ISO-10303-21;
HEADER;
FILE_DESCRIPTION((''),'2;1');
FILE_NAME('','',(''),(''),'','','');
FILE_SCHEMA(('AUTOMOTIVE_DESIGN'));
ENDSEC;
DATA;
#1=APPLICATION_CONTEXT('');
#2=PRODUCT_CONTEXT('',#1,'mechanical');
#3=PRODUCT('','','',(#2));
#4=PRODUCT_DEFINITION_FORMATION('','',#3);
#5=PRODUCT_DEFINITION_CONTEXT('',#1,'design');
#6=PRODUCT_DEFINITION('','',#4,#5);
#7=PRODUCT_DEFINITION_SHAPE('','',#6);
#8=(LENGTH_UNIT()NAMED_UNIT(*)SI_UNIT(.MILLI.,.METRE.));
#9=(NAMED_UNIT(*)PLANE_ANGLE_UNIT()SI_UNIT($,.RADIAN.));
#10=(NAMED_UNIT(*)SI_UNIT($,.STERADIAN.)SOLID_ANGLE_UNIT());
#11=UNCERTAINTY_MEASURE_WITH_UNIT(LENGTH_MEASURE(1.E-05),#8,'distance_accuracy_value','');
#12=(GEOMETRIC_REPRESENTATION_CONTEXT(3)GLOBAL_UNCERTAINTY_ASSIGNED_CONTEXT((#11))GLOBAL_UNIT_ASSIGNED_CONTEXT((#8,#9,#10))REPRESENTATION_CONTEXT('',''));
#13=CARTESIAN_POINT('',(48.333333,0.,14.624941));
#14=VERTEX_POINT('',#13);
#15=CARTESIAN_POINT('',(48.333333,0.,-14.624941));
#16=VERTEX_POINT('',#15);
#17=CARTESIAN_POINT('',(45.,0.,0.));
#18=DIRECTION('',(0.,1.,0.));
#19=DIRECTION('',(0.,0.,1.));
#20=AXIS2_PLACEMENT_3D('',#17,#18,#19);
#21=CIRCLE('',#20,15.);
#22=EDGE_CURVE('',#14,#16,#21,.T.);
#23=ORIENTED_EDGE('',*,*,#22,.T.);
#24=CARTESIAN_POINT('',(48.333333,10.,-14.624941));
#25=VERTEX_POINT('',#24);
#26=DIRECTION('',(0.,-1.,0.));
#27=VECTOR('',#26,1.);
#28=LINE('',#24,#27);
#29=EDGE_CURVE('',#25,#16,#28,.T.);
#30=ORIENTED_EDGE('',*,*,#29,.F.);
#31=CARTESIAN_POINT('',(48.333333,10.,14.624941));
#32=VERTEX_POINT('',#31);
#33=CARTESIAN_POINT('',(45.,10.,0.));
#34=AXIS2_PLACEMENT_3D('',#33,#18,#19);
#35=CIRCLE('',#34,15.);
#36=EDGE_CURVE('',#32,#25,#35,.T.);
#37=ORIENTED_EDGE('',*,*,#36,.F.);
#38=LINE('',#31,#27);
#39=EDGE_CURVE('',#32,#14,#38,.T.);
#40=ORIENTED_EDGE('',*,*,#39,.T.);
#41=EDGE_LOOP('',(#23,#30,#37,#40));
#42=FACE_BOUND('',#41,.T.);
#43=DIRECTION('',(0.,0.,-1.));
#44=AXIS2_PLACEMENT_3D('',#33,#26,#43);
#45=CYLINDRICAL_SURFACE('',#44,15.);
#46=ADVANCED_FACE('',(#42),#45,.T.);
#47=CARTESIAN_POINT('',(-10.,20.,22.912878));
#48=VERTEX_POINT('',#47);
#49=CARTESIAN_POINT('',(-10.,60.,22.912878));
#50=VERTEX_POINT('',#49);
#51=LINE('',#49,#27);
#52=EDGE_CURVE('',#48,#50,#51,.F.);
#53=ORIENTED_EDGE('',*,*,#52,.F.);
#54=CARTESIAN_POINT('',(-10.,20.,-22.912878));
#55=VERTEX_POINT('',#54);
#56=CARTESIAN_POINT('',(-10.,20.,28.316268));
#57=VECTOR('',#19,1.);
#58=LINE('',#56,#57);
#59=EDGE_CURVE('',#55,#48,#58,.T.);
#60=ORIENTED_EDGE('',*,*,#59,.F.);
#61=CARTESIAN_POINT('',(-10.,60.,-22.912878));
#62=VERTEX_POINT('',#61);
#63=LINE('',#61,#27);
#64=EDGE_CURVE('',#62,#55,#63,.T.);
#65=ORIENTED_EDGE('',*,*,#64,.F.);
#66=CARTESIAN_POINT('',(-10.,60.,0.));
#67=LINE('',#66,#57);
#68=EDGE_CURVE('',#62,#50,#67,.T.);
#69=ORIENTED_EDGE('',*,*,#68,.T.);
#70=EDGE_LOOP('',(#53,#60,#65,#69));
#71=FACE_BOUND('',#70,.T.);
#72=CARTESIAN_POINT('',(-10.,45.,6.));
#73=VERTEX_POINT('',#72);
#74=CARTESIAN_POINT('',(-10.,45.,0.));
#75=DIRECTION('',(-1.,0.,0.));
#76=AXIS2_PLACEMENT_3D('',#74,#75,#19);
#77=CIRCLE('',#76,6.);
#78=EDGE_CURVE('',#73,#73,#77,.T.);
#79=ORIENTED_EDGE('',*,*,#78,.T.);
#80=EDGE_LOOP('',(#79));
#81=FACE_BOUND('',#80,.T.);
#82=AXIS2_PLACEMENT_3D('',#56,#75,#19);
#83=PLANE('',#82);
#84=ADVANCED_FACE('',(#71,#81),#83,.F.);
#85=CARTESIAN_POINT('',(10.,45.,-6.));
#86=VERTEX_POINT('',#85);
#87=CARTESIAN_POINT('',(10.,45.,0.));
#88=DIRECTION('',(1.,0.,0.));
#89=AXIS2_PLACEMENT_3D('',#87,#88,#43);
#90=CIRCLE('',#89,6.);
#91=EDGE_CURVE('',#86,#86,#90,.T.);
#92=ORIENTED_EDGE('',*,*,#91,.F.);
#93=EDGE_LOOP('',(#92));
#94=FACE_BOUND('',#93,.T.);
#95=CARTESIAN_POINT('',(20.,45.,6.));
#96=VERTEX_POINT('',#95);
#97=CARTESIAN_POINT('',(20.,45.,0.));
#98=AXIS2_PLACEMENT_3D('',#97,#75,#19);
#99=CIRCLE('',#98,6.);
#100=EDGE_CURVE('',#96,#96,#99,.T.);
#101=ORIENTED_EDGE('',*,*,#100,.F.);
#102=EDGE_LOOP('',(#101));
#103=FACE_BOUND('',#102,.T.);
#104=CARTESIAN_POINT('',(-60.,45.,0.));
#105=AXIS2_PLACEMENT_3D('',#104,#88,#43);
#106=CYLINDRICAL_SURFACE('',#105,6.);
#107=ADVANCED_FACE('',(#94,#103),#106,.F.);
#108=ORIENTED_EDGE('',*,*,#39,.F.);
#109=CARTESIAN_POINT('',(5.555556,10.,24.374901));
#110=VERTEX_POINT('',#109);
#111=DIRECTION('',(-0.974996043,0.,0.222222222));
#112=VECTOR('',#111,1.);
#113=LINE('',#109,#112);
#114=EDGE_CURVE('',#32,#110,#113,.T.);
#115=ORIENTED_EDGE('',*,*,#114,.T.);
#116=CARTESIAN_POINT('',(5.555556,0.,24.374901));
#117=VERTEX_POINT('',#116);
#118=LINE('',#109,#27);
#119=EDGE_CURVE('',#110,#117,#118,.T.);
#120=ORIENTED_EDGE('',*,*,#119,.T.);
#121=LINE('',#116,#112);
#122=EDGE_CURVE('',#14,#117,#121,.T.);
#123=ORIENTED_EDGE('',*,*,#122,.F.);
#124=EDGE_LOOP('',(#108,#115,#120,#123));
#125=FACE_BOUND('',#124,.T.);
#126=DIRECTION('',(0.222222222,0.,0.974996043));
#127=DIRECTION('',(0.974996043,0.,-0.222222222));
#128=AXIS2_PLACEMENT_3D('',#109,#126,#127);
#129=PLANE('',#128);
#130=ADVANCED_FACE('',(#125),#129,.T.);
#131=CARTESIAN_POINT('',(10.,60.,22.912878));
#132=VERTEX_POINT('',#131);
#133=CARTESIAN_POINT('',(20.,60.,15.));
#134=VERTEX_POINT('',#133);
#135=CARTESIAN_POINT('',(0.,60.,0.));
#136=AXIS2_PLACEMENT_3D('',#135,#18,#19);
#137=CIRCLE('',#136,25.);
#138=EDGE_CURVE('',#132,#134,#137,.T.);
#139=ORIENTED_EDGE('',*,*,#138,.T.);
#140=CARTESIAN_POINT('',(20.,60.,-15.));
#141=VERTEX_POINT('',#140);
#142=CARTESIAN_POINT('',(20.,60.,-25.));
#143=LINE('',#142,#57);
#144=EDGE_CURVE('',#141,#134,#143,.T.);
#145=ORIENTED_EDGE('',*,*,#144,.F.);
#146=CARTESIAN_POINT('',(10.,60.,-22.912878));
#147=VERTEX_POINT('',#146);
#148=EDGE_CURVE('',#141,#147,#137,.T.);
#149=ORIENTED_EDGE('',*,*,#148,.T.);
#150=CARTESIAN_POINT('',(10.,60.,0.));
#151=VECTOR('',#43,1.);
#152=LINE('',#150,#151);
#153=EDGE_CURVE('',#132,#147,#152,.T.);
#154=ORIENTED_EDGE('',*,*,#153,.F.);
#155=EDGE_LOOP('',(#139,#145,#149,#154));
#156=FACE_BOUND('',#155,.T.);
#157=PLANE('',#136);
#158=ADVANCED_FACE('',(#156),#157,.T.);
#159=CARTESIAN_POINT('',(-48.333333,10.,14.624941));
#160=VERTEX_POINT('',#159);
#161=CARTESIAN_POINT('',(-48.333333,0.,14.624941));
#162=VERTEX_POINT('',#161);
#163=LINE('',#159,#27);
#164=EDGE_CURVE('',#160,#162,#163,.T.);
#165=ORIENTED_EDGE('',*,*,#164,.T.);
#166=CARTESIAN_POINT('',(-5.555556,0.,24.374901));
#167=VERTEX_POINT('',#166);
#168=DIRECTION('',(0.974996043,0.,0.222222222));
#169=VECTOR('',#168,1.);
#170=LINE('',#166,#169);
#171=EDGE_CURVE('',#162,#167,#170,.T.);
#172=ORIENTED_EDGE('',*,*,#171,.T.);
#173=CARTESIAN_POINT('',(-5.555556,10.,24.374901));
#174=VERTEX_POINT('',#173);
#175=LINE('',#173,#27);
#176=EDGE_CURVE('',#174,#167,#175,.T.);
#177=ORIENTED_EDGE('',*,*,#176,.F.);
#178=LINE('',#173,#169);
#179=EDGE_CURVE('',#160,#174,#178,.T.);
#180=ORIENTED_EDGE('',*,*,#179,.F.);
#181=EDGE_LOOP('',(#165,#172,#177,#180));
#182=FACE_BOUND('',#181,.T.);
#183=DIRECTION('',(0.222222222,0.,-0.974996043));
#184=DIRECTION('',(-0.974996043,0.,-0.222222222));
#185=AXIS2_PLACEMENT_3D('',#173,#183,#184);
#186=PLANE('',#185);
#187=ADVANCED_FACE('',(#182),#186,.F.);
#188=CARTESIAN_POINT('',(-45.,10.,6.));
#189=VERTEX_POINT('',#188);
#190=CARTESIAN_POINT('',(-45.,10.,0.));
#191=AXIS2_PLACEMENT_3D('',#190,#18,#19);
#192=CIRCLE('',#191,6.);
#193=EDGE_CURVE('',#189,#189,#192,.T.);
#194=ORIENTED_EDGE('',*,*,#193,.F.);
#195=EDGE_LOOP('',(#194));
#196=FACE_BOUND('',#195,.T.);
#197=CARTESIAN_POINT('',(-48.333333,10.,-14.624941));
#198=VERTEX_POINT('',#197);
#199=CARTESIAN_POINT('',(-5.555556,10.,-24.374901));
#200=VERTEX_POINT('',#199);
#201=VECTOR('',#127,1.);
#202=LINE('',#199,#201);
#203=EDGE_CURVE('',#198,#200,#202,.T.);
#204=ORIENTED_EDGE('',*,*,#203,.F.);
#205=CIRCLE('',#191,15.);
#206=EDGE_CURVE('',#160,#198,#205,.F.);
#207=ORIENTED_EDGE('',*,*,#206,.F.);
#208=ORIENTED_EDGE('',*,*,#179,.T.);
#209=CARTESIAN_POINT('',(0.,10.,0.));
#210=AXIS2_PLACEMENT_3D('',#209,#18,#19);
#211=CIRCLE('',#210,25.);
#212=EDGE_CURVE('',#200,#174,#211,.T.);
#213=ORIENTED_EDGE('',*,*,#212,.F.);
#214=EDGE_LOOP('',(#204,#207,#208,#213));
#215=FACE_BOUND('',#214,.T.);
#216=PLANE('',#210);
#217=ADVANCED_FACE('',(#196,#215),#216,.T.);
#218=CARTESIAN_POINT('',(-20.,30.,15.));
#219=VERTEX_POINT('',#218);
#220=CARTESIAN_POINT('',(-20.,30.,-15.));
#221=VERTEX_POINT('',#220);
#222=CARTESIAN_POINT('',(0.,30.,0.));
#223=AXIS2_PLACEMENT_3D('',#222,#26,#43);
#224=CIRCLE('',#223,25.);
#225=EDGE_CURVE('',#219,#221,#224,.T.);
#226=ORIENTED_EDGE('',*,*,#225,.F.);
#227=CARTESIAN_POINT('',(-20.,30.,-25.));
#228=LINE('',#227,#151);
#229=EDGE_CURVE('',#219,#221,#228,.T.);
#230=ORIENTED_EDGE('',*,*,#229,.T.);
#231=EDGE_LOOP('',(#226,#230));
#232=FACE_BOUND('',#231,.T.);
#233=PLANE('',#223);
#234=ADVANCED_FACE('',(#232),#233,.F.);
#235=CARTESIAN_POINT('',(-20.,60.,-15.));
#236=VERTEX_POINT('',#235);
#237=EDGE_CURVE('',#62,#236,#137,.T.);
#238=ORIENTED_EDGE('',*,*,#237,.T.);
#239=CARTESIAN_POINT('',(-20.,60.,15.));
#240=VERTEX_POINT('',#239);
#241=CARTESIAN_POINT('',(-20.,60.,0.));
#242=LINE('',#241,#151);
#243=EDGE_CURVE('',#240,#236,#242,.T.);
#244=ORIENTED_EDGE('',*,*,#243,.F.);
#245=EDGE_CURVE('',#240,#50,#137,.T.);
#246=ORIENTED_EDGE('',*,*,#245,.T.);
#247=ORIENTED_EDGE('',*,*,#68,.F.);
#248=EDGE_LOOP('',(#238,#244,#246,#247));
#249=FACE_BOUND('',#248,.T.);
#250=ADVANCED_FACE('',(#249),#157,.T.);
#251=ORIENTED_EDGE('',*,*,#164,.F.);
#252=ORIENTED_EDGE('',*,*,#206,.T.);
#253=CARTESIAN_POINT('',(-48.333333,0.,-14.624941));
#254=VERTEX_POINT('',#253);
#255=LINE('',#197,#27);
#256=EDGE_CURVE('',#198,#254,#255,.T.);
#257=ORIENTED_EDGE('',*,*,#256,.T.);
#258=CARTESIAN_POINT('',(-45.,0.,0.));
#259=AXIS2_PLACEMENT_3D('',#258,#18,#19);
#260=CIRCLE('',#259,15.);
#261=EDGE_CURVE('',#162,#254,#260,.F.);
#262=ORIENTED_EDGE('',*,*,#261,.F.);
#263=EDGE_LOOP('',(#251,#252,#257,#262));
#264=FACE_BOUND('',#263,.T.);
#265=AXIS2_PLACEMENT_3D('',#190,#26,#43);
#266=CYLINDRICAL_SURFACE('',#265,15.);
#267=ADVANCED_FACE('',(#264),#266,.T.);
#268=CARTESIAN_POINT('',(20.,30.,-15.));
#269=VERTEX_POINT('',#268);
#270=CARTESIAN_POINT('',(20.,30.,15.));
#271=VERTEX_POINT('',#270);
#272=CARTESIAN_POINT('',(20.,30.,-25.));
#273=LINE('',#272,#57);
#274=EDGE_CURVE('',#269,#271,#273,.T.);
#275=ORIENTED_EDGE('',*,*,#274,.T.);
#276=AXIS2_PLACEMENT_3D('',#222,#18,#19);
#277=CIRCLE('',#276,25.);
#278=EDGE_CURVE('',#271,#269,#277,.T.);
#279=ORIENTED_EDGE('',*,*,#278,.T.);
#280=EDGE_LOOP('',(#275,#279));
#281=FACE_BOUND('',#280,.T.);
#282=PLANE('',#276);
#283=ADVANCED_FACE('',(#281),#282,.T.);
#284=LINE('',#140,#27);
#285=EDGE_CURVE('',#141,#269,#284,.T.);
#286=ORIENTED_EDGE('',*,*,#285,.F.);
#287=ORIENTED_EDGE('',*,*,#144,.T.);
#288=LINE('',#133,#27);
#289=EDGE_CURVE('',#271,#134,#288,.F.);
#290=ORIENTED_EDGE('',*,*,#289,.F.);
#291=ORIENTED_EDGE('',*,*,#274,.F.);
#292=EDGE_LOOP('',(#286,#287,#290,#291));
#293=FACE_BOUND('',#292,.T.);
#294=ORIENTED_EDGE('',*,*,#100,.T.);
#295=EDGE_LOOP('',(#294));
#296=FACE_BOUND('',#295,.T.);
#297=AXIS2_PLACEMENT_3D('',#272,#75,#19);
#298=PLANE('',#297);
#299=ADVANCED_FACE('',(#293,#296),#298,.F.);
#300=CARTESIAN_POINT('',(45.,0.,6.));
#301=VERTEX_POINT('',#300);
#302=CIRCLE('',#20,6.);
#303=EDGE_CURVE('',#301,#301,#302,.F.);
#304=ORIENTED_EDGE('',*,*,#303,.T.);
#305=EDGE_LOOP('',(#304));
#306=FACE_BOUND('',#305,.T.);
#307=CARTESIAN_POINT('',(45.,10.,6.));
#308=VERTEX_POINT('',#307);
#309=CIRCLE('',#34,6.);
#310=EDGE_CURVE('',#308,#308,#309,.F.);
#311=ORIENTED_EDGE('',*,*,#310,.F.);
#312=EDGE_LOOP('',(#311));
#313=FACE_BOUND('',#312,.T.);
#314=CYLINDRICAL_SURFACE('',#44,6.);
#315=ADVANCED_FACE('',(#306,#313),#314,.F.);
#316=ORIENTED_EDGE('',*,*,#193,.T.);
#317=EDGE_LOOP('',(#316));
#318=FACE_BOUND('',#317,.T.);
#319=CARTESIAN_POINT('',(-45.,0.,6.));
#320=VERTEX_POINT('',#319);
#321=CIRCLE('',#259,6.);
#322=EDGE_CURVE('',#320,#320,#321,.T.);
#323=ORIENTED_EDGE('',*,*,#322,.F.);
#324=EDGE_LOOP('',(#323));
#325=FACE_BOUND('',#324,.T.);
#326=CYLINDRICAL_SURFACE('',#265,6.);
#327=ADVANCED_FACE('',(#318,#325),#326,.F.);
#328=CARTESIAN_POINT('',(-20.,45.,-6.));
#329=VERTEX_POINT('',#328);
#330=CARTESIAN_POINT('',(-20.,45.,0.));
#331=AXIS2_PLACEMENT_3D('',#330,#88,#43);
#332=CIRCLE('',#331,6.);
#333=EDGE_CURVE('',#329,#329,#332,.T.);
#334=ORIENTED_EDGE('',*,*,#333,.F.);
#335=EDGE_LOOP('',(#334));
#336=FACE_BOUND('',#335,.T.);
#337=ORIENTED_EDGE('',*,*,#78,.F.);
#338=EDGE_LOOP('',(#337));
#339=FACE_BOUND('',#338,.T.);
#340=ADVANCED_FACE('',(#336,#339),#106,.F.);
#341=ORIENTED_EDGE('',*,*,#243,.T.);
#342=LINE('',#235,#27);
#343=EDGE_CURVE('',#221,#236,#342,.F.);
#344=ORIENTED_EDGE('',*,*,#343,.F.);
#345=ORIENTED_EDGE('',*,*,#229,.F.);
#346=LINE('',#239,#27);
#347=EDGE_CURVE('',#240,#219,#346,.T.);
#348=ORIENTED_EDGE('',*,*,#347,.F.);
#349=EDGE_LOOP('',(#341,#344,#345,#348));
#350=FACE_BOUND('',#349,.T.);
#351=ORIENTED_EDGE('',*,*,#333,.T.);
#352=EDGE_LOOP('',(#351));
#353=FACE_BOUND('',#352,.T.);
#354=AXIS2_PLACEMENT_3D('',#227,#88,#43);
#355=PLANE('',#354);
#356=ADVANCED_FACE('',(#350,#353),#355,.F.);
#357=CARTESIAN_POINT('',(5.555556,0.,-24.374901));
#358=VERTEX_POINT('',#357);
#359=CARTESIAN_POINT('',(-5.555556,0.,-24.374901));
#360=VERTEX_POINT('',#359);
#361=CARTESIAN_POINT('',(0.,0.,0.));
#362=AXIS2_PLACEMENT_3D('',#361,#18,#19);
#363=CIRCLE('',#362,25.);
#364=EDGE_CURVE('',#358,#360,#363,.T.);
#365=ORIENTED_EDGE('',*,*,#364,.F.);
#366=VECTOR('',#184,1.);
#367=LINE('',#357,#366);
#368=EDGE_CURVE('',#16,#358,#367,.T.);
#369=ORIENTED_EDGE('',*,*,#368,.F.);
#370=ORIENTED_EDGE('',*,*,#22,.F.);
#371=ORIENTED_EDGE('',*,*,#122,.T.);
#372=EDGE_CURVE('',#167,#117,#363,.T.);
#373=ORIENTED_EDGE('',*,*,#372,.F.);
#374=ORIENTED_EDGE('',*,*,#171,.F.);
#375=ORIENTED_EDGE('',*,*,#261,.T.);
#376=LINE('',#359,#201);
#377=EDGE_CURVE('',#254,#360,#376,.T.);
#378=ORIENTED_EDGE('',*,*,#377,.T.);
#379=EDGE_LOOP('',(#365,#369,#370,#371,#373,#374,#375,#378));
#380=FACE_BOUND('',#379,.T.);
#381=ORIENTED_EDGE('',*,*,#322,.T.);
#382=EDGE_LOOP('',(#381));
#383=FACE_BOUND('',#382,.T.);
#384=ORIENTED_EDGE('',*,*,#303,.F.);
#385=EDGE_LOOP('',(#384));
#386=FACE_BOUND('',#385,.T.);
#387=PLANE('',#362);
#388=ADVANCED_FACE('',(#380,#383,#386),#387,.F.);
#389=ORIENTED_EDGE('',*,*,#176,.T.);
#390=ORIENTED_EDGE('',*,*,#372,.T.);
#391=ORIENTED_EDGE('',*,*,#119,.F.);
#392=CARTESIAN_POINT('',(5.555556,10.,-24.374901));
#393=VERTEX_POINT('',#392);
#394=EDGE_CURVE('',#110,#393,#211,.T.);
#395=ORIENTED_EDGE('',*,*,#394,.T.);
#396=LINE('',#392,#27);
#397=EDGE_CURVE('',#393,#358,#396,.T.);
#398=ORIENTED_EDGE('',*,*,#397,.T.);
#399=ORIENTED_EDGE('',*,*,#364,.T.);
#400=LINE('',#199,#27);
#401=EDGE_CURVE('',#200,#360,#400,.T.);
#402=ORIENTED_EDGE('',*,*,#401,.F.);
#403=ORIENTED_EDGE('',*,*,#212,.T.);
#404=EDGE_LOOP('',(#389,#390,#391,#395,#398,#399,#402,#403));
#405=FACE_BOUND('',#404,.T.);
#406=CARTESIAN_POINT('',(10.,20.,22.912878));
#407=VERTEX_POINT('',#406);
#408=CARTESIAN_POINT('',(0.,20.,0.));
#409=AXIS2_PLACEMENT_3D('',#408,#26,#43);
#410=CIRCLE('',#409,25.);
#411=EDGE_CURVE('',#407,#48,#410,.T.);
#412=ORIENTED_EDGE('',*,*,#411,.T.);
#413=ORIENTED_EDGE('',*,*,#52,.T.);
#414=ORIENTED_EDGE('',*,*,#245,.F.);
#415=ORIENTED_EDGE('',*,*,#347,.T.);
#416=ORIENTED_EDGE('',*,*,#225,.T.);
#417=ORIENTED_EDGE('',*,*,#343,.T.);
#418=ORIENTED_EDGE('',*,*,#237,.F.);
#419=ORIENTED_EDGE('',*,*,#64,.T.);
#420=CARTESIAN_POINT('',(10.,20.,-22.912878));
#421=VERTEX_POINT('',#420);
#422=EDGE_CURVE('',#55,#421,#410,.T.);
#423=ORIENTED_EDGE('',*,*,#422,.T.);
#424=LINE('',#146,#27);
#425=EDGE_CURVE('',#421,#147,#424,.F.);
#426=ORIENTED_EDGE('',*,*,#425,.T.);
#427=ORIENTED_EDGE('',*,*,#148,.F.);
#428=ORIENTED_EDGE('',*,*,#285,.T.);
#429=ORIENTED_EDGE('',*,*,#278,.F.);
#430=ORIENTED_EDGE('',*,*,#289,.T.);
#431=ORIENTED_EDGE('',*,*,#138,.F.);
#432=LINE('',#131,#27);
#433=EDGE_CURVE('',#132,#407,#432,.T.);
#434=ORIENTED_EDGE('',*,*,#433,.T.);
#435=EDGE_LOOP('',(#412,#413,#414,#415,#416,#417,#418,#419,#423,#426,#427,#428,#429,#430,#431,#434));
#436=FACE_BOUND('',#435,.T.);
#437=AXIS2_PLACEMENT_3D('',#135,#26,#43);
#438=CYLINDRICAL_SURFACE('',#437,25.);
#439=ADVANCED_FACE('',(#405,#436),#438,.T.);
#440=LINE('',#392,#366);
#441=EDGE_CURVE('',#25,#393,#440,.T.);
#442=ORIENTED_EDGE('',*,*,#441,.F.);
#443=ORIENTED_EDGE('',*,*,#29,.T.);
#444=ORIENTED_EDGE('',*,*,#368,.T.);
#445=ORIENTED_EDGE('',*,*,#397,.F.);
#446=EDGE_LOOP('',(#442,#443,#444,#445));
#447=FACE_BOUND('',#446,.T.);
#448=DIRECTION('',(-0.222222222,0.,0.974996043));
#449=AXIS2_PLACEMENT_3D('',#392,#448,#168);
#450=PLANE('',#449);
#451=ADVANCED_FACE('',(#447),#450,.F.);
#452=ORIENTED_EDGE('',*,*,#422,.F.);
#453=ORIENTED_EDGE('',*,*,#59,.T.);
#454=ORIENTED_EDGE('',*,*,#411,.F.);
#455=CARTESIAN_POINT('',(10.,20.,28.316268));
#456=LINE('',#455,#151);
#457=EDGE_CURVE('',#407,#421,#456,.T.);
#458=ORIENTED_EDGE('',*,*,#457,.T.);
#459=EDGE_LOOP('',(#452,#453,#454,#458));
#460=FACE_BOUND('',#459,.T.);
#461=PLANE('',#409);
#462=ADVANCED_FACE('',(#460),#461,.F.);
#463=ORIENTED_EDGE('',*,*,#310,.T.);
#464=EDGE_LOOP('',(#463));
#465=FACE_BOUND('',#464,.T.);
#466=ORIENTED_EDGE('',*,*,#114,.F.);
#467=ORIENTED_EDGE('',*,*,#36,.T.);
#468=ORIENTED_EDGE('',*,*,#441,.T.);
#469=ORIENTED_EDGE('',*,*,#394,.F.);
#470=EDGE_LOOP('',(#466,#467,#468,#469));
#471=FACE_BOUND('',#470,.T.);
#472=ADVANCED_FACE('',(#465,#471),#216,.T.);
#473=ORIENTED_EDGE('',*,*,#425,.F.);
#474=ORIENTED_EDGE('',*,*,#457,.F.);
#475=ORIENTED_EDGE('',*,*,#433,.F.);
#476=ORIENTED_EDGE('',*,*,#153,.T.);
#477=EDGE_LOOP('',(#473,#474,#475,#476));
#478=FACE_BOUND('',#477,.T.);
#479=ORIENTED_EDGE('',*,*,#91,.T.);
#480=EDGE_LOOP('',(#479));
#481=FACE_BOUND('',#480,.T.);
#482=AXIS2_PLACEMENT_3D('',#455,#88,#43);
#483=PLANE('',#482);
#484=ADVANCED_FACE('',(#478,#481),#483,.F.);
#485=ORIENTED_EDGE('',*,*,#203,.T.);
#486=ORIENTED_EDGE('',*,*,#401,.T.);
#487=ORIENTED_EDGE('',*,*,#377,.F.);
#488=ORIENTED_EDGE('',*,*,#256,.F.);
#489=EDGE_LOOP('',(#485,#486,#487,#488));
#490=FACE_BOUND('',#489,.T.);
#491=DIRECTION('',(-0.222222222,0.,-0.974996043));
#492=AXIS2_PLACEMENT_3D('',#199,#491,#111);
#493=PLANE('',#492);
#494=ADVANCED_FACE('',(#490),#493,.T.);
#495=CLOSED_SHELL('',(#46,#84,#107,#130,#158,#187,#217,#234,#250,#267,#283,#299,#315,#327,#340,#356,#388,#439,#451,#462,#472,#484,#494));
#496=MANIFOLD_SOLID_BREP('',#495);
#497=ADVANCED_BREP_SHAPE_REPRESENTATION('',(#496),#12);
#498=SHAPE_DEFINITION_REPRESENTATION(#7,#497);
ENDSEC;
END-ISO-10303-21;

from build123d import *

# Parameters (mm, degrees)
CROQUIS1_R                 = 6
SALIENTE_EXTRUIR1_DEPTH    = 10
SALIENTE_EXTRUIR1_2_DEPTH  = 10
SALIENTE_EXTRUIR2_DEPTH    = 60
CROQUIS2_W                 = 20
CROQUIS2_H                 = 56.632535906
CORTAR_EXTRUIR2_DEPTH      = 40
CROQUIS3_W                 = 5
CROQUIS3_H                 = 50
CORTAR_EXTRUIR3_DEPTH      = 30
CORTAR_EXTRUIR4_DEPTH      = 104.07764064
CORTAR_EXTRUIR4_DEPTH_BACK = 104.07764064
CROQUIS5_R                 = 6


with BuildPart() as part:
    # Croquis1 → Saliente-Extruir1 (new body)
    with BuildSketch(Plane(origin=(0, 0, 0), x_dir=(1, 0, 0), z_dir=(0, 1, 0))):
        with BuildLine():
            Line((-5.555555556, 24.374901076), (-48.333333333, 14.624940646))
            ThreePointArc((-48.333333333, 14.624940646), (-60, 0), (-48.333333333, -14.624940646))
            Line((-48.333333333, -14.624940646), (-5.555555556, -24.374901076))
            ThreePointArc((-5.555555556, -24.374901076), (-25, 0), (-5.555555556, 24.374901076))
        make_face()
        with Locations((-45, 0)):
            Circle(CROQUIS1_R, mode=Mode.SUBTRACT)
    extrude(amount=SALIENTE_EXTRUIR1_DEPTH)



with BuildPart() as body_2:
    # Croquis1 → Saliente-Extruir1 2 (new body)
    with BuildSketch(Plane(origin=(0, 0, 0), x_dir=(1, 0, 0), z_dir=(0, 1, 0))):
        with BuildLine():
            Line((48.333333333, 14.624940646), (5.555555556, 24.374901076))
            ThreePointArc((5.555555556, 24.374901076), (25, 0), (5.555555556, -24.374901076))
            Line((5.555555556, -24.374901076), (48.333333333, -14.624940646))
            ThreePointArc((48.333333333, -14.624940646), (60, 0), (48.333333333, 14.624940646))
        make_face()
        with Locations((45, 0)):
            Circle(CROQUIS1_R, mode=Mode.SUBTRACT)
    extrude(amount=SALIENTE_EXTRUIR1_2_DEPTH)


with BuildPart() as part_1:
    add(part.part)

    add(body_2.part)  # Saliente-Extruir2 merges body 2
    # Croquis1<4> → Saliente-Extruir2 (add)
    with BuildSketch(Plane(origin=(0, 0, 0), x_dir=(1, 0, 0), z_dir=(0, 1, 0))):
        with BuildLine():
            ThreePointArc((5.555555556, 24.374901076), (0, 25), (-5.555555556, 24.374901076))
            ThreePointArc((-5.555555556, 24.374901076), (-25, 0), (-5.555555556, -24.374901076))
            ThreePointArc((-5.555555556, -24.374901076), (0, -25), (5.555555556, -24.374901076))
            ThreePointArc((5.555555556, -24.374901076), (19.543398999, -15.590239112), (25, 0))
            ThreePointArc((25, 0), (19.543398999, 15.590239112), (5.555555556, 24.374901076))
        make_face()
    extrude(amount=SALIENTE_EXTRUIR2_DEPTH)

    # Croquis2 → Cortar-Extruir2 (cut)
    with BuildSketch(Plane(origin=(0, 60, 0), x_dir=(1, 0, 0), z_dir=(0, 1, 0))):
        Rectangle(CROQUIS2_W, CROQUIS2_H)
    extrude(amount=-CORTAR_EXTRUIR2_DEPTH, mode=Mode.SUBTRACT)

    # Croquis3 → Cortar-Extruir3 (cut)
    with BuildSketch(Plane(origin=(0, 60, 0), x_dir=(1, 0, 0), z_dir=(0, 1, 0))):
        with Locations((-22.5, 0)):
            Rectangle(CROQUIS3_W, CROQUIS3_H)
        with Locations((22.5, 0)):
            Rectangle(CROQUIS3_W, CROQUIS3_H)
    extrude(amount=-CORTAR_EXTRUIR3_DEPTH, mode=Mode.SUBTRACT)

    # Croquis5 → Cortar-Extruir4 (cut, two sides: drawn at the far end of the back side and taken through both)
    with BuildSketch(Plane(origin=(20, 0, 0), x_dir=(0, 0, -1), z_dir=(1, 0, 0)).offset(-CORTAR_EXTRUIR4_DEPTH_BACK)):
        with Locations((0, 45)):
            Circle(CROQUIS5_R)
    extrude(amount=CORTAR_EXTRUIR4_DEPTH + CORTAR_EXTRUIR4_DEPTH_BACK, mode=Mode.SUBTRACT)


solid = part_1.part
